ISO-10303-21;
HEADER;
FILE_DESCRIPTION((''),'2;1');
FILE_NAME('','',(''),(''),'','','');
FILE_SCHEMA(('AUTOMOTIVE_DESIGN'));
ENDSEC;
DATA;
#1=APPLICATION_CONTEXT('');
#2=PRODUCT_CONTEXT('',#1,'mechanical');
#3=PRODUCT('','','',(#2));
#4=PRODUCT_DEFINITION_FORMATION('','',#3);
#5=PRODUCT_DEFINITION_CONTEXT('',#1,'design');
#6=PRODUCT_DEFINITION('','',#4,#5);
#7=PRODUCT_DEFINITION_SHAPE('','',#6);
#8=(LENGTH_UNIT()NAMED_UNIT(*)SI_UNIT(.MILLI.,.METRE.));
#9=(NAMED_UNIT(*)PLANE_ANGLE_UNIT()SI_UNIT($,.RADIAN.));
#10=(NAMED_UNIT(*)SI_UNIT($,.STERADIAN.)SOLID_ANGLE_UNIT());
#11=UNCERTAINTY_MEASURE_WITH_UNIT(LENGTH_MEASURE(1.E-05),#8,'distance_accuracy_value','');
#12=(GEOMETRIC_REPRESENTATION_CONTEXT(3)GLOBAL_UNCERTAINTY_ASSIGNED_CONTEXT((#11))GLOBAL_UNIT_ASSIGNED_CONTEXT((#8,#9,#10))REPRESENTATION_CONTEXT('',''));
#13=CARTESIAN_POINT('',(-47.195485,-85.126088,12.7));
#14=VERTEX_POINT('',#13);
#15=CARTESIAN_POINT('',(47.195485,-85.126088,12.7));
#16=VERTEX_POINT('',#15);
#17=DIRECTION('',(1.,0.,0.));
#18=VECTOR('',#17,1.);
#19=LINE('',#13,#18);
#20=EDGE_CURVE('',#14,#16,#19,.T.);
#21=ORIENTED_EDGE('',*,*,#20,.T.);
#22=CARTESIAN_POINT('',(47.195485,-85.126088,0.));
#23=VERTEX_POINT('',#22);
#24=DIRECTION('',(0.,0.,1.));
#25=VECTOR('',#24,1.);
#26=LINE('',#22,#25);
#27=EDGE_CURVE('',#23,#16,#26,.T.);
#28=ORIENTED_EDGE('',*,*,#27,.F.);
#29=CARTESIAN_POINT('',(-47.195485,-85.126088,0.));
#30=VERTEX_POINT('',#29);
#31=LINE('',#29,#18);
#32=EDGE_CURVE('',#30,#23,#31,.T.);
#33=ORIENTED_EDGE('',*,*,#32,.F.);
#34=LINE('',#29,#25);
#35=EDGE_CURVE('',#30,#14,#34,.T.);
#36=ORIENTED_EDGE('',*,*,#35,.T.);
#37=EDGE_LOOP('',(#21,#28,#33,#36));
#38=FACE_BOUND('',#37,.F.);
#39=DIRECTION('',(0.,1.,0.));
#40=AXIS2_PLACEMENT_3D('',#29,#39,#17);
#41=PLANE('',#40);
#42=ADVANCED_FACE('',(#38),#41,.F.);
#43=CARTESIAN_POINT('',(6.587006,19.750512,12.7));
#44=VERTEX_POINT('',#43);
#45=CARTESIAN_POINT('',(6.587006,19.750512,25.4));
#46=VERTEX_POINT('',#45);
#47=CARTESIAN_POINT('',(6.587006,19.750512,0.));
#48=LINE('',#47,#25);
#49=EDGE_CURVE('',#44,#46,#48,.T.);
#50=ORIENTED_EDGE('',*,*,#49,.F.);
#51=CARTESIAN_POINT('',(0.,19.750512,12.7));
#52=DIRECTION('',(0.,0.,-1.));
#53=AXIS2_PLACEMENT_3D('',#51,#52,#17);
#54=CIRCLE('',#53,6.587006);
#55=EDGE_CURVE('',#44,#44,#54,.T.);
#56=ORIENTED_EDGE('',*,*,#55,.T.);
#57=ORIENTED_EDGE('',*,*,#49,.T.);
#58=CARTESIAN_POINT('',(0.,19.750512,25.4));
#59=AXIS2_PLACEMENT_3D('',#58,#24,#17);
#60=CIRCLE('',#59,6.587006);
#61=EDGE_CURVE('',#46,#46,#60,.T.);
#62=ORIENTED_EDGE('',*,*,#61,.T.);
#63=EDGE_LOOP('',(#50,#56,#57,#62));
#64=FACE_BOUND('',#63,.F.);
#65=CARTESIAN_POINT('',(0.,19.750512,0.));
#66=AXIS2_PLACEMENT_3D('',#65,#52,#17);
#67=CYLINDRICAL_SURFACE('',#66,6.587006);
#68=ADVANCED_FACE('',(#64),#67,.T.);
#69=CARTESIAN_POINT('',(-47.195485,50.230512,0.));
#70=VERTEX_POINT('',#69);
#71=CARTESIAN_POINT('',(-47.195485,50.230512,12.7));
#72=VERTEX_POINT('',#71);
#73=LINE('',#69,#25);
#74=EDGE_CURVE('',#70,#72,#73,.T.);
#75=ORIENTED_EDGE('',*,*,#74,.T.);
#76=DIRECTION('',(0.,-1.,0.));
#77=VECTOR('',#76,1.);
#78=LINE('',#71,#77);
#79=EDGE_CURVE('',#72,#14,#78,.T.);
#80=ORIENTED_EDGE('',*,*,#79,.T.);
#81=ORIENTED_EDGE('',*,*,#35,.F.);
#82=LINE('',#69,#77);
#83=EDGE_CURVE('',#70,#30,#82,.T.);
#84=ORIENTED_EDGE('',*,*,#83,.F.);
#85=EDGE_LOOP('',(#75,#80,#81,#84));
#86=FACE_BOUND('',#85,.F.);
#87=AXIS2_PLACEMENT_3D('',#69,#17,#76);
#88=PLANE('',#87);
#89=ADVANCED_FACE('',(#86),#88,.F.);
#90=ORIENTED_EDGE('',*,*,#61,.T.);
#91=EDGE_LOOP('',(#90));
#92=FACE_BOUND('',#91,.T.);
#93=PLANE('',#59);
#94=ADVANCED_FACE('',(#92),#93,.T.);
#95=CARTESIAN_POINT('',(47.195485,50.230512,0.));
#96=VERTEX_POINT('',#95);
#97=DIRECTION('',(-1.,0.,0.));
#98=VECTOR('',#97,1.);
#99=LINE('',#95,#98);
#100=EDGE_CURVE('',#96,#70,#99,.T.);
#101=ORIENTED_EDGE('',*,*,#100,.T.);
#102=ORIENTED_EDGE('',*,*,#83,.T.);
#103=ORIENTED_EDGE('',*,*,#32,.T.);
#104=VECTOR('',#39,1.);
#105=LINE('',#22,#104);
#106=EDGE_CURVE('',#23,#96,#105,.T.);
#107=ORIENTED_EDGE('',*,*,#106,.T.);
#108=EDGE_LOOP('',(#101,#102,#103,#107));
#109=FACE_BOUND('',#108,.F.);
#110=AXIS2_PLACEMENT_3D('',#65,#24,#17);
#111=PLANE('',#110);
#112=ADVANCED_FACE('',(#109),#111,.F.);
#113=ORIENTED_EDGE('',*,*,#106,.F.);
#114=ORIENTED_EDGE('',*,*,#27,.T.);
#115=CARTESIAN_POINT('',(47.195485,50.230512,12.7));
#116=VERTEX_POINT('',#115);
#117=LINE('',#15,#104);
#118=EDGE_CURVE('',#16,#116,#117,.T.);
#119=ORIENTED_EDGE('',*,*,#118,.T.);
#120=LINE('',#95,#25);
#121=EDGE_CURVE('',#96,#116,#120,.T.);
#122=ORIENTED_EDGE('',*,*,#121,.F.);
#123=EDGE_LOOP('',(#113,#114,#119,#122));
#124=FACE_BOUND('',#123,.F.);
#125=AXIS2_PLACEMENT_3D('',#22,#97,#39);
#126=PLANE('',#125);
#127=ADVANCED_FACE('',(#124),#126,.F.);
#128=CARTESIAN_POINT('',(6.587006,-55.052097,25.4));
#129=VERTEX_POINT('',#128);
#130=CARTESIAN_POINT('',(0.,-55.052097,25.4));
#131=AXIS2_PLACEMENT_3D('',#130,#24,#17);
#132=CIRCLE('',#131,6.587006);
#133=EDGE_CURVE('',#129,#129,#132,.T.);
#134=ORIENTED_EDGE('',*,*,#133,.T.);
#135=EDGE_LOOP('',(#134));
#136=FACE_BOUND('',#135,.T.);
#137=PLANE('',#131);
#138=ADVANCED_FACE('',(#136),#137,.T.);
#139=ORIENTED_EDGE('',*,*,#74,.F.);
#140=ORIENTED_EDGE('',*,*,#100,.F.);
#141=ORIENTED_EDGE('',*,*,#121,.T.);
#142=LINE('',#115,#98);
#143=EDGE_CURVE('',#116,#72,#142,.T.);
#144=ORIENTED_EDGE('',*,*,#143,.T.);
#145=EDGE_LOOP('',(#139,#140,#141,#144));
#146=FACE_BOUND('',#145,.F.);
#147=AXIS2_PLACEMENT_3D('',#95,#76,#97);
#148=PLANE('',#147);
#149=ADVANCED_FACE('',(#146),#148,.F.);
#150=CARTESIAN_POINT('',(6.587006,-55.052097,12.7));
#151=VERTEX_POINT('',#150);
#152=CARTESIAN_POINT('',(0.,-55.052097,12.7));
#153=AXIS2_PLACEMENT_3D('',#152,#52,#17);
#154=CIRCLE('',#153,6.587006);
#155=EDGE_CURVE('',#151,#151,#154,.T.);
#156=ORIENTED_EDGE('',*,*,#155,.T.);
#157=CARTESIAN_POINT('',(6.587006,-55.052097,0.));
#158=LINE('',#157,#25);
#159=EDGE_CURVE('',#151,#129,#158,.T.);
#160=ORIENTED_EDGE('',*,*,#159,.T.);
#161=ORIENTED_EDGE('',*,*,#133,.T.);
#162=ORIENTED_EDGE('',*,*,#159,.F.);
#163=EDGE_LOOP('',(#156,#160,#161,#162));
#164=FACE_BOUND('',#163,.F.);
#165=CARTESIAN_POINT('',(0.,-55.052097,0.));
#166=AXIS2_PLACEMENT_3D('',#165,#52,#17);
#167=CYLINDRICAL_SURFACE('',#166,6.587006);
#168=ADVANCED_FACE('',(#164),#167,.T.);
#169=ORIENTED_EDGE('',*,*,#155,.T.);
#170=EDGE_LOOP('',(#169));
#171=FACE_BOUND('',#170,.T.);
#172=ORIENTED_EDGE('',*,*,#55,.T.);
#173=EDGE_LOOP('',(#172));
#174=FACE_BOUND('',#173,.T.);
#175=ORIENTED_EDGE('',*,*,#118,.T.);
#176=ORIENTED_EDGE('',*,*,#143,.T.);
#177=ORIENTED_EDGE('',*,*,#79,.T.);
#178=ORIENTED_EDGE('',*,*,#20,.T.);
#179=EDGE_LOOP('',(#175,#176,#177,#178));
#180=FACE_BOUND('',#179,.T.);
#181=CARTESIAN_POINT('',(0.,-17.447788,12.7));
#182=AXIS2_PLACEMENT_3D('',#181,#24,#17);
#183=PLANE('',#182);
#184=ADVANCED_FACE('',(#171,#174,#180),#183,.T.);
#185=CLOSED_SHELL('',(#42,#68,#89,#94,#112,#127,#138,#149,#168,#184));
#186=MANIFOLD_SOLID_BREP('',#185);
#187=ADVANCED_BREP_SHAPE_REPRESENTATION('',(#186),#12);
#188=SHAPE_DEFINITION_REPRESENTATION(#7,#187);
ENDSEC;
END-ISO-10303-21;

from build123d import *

# Parameters (mm, degrees)
F0_R     = 6.587006
F1_DEPTH = 12.7
F2_DEPTH = 25.4


with BuildPart() as f1:
    # F0 (on Top) → F1 (new body)
    with BuildSketch(Plane.XY):
        Polygon((0, 50.230512), (-47.195485, 50.230512), (-47.195485, 19.750512), (-47.195485, -54.646088), (-47.195485, -85.126088), (0, -85.126088), (47.195485, -85.126088), (47.195485, -54.646088), (47.195485, 19.750512), (47.195485, 50.230512), align=None)
        with Locations((0, -55.052097)):
            Circle(F0_R, mode=Mode.SUBTRACT)
        with Locations((0, 19.750512)):
            Circle(F0_R, mode=Mode.SUBTRACT)
        with Locations((0, 19.750512)):
            Circle(F0_R)
        with Locations((0, -55.052097)):
            Circle(F0_R)
    extrude(amount=F1_DEPTH)

    # F0 (on Top) → F2 (join)
    with BuildSketch(Plane.XY):
        with Locations((0, 19.750512)):
            Circle(F0_R)
        with Locations((0, -55.052097)):
            Circle(F0_R)
    extrude(amount=F2_DEPTH)


solid = f1.part
